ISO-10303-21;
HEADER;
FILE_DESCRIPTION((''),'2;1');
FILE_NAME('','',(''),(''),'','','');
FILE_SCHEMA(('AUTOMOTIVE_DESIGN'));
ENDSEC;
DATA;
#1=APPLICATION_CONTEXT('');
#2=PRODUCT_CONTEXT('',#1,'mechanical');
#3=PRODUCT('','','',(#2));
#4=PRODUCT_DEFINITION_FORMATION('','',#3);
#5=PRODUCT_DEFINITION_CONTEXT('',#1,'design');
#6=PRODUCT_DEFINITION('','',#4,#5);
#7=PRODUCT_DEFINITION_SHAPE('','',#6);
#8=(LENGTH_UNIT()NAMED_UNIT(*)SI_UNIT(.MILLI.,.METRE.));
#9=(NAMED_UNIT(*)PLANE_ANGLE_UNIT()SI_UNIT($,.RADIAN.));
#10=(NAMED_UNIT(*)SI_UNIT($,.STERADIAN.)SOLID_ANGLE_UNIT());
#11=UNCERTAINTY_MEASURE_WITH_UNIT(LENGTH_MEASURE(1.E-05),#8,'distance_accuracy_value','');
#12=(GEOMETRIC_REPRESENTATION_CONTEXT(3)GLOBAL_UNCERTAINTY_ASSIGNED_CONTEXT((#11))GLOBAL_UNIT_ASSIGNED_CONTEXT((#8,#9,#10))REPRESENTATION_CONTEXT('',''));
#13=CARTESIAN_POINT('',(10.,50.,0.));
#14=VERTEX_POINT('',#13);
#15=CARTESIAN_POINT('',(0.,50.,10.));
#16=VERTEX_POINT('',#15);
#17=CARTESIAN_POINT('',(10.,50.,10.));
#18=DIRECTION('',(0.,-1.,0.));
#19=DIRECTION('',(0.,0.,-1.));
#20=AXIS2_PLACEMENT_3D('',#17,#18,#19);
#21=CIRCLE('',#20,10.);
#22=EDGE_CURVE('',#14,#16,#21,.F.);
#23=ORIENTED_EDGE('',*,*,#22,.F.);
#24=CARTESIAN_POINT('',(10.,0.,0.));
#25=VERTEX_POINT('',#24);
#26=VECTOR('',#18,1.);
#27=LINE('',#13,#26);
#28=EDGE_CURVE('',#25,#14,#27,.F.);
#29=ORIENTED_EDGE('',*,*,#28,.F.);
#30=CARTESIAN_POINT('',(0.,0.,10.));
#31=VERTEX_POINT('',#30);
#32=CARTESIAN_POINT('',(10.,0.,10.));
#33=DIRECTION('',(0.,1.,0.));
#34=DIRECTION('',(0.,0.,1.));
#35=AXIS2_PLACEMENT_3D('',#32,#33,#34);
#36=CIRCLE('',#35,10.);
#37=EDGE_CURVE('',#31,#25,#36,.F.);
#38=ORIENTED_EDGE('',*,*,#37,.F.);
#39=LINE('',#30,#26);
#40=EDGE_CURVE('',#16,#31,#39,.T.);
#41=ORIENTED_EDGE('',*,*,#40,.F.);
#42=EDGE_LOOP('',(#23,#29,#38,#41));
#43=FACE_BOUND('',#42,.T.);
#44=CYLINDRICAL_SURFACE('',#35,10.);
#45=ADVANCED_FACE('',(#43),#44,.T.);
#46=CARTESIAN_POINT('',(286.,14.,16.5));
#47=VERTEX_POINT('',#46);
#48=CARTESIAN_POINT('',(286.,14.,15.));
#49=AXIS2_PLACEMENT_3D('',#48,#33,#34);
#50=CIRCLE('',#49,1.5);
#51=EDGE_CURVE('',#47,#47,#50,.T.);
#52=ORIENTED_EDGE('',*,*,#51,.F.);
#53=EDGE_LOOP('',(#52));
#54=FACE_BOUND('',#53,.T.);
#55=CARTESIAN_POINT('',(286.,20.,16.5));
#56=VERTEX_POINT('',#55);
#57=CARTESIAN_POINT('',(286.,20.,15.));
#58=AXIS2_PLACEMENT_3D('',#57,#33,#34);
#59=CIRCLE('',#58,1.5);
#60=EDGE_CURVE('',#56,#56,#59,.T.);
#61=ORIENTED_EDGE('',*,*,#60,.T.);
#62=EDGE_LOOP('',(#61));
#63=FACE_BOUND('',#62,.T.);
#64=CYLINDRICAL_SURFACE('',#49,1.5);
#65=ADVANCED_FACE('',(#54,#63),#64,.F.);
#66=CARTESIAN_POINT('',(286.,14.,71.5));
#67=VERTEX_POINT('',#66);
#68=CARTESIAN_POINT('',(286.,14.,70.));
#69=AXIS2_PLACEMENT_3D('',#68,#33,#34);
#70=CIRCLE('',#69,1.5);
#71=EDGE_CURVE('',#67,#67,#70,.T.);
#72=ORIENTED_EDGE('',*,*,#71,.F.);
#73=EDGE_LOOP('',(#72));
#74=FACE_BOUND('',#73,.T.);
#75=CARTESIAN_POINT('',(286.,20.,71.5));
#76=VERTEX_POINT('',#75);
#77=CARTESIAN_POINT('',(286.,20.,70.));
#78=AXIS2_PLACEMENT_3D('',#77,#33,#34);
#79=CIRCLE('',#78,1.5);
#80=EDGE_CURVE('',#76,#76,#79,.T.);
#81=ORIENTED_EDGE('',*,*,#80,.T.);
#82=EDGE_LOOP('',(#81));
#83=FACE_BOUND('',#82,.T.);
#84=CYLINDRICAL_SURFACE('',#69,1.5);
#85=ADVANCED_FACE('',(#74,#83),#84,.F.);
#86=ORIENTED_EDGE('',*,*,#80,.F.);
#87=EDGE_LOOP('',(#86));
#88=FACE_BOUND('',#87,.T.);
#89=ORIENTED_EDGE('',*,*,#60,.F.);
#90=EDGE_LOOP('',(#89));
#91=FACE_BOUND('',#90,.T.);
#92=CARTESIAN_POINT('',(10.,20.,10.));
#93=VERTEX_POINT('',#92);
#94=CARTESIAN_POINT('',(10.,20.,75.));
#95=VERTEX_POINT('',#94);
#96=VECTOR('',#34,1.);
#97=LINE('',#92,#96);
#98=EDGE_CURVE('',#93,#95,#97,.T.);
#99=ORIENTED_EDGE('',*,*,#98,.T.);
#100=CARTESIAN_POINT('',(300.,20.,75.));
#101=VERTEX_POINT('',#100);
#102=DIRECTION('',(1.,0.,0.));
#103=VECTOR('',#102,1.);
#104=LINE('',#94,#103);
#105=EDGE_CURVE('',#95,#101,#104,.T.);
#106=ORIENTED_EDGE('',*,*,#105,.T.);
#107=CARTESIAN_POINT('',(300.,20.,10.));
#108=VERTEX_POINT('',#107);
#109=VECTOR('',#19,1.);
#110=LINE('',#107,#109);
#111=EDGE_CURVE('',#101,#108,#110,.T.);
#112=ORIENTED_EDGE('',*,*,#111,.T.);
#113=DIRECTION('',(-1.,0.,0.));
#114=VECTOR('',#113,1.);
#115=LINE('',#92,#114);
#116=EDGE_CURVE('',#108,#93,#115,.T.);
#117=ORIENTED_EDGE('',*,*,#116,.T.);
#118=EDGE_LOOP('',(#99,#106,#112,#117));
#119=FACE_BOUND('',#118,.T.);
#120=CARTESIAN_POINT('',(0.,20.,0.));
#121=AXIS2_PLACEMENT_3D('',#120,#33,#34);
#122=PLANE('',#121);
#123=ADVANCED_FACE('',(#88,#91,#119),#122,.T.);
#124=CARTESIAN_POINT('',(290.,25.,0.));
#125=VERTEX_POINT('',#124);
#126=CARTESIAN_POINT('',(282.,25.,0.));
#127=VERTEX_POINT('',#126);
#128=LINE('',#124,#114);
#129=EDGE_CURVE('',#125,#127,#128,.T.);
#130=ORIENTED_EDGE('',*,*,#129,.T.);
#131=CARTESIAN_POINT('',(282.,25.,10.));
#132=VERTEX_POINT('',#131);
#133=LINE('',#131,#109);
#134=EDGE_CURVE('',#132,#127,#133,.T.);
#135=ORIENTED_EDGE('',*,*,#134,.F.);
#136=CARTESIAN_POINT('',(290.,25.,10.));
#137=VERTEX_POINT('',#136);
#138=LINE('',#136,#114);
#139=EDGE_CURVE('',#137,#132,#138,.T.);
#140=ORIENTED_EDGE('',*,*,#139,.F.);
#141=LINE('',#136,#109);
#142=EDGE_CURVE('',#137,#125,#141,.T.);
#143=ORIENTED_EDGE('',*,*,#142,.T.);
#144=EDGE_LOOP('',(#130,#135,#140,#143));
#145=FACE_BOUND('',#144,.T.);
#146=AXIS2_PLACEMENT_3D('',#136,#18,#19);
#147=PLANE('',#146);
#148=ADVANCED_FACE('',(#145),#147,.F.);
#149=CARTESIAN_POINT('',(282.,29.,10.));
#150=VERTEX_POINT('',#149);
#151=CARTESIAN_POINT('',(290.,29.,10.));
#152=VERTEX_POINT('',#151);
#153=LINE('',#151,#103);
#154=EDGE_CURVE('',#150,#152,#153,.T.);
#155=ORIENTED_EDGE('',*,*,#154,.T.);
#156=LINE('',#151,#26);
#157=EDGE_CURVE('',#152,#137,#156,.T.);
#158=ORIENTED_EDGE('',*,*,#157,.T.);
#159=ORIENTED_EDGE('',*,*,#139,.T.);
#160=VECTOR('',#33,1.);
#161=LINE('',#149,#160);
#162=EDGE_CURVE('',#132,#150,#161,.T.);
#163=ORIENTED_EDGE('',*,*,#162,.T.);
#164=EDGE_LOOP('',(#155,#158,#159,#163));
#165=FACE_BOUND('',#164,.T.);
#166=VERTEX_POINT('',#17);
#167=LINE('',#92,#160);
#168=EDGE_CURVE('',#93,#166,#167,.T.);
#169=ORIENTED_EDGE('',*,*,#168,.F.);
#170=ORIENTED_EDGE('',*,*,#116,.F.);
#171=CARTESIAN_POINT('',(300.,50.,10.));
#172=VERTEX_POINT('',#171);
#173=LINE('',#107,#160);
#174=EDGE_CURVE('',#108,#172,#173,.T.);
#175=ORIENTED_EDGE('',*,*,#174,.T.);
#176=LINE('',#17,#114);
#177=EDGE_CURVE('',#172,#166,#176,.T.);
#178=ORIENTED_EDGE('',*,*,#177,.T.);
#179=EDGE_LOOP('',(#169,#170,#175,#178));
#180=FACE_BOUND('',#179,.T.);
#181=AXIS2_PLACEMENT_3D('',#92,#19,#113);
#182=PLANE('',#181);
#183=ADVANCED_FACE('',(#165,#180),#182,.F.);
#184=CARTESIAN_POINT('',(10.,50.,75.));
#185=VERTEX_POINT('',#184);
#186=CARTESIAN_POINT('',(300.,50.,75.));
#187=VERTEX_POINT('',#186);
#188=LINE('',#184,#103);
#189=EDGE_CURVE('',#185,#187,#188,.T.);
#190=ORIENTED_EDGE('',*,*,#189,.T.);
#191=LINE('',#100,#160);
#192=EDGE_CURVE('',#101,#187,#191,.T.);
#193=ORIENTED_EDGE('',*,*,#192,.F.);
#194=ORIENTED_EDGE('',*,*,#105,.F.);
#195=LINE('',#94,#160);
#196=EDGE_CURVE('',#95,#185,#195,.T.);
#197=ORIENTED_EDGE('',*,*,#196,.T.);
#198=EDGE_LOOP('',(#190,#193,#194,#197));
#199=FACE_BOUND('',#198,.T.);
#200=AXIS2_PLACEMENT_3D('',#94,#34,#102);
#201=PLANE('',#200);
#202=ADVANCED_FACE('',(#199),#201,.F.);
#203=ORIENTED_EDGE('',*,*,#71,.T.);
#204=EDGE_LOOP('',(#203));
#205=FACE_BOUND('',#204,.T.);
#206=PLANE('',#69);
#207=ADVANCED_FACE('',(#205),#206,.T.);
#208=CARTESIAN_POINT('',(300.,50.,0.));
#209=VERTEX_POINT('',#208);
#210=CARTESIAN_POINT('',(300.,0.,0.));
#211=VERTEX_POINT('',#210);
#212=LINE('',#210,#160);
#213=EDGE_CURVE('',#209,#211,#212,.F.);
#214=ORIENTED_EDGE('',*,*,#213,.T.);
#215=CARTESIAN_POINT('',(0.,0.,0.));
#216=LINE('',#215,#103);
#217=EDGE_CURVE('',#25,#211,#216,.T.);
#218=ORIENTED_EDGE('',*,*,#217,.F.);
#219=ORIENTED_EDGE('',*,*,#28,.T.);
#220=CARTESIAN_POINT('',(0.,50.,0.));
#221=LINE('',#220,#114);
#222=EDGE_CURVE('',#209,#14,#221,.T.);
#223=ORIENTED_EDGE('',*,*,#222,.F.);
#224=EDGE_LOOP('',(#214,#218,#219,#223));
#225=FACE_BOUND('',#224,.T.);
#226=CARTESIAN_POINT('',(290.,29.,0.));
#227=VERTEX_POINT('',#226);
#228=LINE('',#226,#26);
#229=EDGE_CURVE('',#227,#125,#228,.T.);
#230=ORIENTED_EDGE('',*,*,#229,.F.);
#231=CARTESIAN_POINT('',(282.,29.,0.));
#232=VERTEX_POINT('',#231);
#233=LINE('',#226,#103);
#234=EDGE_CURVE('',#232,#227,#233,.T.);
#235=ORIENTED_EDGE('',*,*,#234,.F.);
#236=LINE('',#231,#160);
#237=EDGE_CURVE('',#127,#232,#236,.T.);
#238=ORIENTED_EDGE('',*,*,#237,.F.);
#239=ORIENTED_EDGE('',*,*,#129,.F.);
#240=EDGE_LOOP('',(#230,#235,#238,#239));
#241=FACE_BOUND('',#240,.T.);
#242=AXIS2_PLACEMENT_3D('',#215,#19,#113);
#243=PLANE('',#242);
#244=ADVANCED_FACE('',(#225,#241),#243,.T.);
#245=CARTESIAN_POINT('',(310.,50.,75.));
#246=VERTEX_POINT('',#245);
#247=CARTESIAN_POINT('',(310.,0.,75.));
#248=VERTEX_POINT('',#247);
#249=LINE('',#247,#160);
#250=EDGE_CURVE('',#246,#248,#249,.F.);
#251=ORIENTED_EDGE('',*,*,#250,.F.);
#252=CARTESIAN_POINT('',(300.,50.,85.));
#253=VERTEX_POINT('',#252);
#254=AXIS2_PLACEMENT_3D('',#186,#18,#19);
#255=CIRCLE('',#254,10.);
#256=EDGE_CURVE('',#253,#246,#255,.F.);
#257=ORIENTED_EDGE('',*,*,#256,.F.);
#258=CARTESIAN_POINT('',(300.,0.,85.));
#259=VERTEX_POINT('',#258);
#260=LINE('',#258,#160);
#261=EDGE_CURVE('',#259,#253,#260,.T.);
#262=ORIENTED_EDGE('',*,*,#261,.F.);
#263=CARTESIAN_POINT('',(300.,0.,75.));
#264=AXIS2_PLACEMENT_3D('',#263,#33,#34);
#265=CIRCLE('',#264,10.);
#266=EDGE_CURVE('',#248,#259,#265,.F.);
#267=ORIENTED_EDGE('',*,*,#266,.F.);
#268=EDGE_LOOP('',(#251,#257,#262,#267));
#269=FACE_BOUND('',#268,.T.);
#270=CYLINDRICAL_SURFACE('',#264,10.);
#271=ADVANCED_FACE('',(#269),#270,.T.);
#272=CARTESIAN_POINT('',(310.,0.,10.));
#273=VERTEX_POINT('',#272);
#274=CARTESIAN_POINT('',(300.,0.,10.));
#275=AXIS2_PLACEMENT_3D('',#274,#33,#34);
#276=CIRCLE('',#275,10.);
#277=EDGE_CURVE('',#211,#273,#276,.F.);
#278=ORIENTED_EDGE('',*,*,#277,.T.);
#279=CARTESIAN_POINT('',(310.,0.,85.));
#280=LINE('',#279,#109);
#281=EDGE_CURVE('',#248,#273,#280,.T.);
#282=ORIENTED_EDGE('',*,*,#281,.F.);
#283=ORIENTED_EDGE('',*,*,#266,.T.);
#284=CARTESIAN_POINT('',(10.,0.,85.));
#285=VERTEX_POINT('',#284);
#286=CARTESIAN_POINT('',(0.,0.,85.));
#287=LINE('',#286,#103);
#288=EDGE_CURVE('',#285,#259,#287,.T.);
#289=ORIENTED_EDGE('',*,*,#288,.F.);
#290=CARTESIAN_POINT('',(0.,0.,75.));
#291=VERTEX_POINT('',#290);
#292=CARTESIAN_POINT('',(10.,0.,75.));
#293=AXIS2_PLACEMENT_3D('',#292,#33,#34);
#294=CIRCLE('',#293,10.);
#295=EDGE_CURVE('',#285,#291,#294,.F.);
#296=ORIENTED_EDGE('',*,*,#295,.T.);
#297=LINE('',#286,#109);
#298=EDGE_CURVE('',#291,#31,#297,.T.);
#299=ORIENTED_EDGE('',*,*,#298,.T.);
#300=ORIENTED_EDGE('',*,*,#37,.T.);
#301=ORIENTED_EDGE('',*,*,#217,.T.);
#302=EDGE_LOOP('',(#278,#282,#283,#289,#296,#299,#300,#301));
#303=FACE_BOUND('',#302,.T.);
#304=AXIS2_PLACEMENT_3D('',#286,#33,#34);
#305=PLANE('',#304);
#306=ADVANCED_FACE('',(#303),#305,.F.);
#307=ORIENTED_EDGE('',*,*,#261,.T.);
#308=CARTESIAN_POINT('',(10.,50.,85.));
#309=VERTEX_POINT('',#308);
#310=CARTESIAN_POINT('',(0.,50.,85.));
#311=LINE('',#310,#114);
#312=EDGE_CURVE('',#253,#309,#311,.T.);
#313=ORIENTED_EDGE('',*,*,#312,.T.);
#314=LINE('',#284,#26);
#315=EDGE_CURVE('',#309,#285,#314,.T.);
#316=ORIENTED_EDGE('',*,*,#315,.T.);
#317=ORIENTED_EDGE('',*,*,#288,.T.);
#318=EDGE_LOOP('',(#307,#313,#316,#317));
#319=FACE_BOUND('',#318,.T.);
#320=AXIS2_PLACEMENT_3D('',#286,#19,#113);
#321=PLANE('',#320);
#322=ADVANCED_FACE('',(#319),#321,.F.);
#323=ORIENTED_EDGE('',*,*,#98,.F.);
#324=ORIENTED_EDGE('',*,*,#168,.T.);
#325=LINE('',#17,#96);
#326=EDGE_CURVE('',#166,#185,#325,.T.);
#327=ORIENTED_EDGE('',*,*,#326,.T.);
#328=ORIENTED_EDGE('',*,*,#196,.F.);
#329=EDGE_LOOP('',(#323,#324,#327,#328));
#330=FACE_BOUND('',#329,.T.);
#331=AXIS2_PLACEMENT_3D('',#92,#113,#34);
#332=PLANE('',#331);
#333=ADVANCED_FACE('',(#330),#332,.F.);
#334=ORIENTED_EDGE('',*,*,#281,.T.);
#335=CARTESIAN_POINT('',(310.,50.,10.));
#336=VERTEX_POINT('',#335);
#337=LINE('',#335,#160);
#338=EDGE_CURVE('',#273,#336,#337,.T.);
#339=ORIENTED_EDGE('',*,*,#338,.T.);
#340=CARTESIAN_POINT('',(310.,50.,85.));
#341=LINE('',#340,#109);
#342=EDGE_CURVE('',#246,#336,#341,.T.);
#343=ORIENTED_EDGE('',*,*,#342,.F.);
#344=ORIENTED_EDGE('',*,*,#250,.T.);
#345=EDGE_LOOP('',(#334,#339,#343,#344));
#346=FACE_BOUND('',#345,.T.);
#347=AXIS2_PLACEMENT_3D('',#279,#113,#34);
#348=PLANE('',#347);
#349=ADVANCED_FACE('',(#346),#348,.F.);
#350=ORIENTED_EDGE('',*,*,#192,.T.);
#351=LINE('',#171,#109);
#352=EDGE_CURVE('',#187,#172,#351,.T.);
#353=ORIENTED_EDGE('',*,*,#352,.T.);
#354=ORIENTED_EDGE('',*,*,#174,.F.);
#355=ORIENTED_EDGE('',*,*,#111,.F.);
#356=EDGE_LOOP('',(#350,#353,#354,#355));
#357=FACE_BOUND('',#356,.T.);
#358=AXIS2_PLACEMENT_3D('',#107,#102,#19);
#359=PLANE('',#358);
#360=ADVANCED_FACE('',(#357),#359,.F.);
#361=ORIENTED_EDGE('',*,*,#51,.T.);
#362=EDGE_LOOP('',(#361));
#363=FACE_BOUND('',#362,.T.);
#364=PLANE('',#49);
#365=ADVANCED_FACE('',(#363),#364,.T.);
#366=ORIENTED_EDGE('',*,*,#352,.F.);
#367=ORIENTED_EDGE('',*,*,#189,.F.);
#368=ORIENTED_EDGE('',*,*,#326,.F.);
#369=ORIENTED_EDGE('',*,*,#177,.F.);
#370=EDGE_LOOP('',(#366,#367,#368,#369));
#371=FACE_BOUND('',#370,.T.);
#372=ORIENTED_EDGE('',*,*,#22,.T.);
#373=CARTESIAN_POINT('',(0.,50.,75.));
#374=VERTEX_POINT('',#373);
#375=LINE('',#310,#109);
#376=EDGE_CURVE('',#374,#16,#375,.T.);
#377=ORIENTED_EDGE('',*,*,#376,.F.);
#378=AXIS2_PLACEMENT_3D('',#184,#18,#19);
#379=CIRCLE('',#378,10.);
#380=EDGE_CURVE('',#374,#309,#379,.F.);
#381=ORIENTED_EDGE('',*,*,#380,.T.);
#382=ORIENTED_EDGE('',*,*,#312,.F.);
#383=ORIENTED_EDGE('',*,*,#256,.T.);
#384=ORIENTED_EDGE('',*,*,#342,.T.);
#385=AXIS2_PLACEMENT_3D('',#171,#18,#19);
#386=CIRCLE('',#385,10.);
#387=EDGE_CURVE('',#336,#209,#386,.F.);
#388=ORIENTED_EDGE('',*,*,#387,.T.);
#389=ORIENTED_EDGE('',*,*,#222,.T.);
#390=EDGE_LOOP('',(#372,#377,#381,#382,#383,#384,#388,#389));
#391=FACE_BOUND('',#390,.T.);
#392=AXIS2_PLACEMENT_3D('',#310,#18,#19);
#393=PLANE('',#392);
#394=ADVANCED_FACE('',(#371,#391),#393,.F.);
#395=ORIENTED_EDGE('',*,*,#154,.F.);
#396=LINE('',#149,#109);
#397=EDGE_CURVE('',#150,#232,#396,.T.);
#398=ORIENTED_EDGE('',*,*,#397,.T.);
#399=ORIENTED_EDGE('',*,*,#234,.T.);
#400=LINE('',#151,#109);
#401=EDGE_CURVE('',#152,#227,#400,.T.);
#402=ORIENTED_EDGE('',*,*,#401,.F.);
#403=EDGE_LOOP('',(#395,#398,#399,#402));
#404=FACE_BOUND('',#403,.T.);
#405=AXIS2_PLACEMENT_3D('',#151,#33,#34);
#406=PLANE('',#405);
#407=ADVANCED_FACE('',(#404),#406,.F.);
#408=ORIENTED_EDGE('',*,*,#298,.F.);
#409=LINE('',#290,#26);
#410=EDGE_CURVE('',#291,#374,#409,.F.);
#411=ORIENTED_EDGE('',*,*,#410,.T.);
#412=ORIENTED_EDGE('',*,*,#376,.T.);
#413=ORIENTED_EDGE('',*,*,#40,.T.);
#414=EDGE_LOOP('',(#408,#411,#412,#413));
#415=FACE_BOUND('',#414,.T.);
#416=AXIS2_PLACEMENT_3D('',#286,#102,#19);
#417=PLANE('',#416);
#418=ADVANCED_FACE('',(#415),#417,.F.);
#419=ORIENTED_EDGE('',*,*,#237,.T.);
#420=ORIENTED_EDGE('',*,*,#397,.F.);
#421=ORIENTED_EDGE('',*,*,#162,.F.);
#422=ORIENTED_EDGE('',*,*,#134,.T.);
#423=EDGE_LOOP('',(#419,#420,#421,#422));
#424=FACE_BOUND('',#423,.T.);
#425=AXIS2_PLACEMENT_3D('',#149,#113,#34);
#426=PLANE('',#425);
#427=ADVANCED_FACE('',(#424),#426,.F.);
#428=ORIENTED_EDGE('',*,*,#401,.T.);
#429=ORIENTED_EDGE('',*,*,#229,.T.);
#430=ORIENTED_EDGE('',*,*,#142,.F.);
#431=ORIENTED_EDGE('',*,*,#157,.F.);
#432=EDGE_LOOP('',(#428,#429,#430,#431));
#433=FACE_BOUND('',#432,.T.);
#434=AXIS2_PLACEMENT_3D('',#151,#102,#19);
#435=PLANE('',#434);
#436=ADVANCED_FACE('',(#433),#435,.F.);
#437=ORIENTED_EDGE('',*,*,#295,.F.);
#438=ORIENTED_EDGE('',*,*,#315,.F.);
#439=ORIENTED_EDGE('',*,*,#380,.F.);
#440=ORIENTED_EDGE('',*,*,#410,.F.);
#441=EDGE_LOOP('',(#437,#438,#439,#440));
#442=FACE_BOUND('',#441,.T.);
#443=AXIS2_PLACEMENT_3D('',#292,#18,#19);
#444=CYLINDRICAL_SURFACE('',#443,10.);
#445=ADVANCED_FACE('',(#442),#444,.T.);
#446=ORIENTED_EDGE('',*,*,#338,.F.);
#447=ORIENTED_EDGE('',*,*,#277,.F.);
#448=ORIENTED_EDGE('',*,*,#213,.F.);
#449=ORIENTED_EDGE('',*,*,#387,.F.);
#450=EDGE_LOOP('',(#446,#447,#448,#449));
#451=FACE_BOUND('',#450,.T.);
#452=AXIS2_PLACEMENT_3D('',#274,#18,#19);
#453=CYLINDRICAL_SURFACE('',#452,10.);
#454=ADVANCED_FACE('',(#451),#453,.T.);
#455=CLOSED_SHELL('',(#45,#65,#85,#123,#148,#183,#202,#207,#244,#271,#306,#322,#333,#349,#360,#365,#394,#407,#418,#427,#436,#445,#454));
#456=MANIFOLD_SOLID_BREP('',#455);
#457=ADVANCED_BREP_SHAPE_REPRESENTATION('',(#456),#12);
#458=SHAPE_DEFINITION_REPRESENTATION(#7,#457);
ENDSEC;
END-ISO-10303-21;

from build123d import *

# Parameters (mm, degrees)
SKIZZE2_W                       = 310
SKIZZE2_H                       = 50
AUFSATZ_LINEAR_AUSTRAGEN1_DEPTH = 85
SKIZZE4_W                       = 290
SKIZZE4_H                       = 65
SCHNITT_LINEAR_AUSTRAGEN1_DEPTH = 30
VERRUNDUNG1_R                   = 10
VERRUNDUNG2_R                   = 10
VERRUNDUNG3_R                   = 10
VERRUNDUNG4_R                   = 10
SKIZZE9_W                       = 8
SKIZZE9_H                       = 4
SCHNITT_LINEAR_AUSTRAGEN2_DEPTH = 10
SKIZZE10_R                      = 1.5
SCHNITT_LINEAR_AUSTRAGEN3_DEPTH = 6


with BuildPart() as part:
    # Skizze2 → Aufsatz-Linear austragen1 (new body)
    with BuildSketch(Plane.XY):
        with Locations((155, 25)):
            Rectangle(SKIZZE2_W, SKIZZE2_H)
    extrude(amount=AUFSATZ_LINEAR_AUSTRAGEN1_DEPTH)

    # Skizze4 → Schnitt-Linear austragen1 (cut)
    with BuildSketch(Plane(origin=(0, 50, 0), x_dir=(1, 0, 0), z_dir=(0, 1, 0))):
        with Locations((155, -42.5)):
            Rectangle(SKIZZE4_W, SKIZZE4_H)
    extrude(amount=-SCHNITT_LINEAR_AUSTRAGEN1_DEPTH, mode=Mode.SUBTRACT)

    # Verrundung1
    verrundung1_edges = [part.edges().sort_by_distance(p)[0] for p in [
        (310, 25, 0),
    ]]
    fillet(verrundung1_edges, radius=VERRUNDUNG1_R)

    # Verrundung2
    verrundung2_edges = [part.edges().sort_by_distance(p)[0] for p in [
        (310, 25, 85),
    ]]
    fillet(verrundung2_edges, radius=VERRUNDUNG2_R)

    # Verrundung3
    verrundung3_edges = [part.edges().sort_by_distance(p)[0] for p in [
        (0, 25, 85),
    ]]
    fillet(verrundung3_edges, radius=VERRUNDUNG3_R)

    # Verrundung4
    verrundung4_edges = [part.edges().sort_by_distance(p)[0] for p in [
        (0, 25, 0),
    ]]
    fillet(verrundung4_edges, radius=VERRUNDUNG4_R)

    # Skizze9 → Schnitt-Linear austragen2 (cut)
    with BuildSketch(Plane(origin=(0, 0, 0), x_dir=(-1, 0, 0), z_dir=(0, 0, -1))):
        with Locations((-286, 27)):
            Rectangle(SKIZZE9_W, SKIZZE9_H)
    extrude(amount=-SCHNITT_LINEAR_AUSTRAGEN2_DEPTH, mode=Mode.SUBTRACT)

    # Skizze10 → Schnitt-Linear austragen3 (cut)
    with BuildSketch(Plane(origin=(0, 20, 0), x_dir=(1, 0, 0), z_dir=(0, 1, 0))):
        with Locations(Location((286, -15, 0), (0, 0, 270))):
            Circle(SKIZZE10_R)
        with Locations(Location((286, -70, 0), (0, 0, 270))):
            Circle(SKIZZE10_R)
    extrude(amount=-SCHNITT_LINEAR_AUSTRAGEN3_DEPTH, mode=Mode.SUBTRACT)


solid = part.part
